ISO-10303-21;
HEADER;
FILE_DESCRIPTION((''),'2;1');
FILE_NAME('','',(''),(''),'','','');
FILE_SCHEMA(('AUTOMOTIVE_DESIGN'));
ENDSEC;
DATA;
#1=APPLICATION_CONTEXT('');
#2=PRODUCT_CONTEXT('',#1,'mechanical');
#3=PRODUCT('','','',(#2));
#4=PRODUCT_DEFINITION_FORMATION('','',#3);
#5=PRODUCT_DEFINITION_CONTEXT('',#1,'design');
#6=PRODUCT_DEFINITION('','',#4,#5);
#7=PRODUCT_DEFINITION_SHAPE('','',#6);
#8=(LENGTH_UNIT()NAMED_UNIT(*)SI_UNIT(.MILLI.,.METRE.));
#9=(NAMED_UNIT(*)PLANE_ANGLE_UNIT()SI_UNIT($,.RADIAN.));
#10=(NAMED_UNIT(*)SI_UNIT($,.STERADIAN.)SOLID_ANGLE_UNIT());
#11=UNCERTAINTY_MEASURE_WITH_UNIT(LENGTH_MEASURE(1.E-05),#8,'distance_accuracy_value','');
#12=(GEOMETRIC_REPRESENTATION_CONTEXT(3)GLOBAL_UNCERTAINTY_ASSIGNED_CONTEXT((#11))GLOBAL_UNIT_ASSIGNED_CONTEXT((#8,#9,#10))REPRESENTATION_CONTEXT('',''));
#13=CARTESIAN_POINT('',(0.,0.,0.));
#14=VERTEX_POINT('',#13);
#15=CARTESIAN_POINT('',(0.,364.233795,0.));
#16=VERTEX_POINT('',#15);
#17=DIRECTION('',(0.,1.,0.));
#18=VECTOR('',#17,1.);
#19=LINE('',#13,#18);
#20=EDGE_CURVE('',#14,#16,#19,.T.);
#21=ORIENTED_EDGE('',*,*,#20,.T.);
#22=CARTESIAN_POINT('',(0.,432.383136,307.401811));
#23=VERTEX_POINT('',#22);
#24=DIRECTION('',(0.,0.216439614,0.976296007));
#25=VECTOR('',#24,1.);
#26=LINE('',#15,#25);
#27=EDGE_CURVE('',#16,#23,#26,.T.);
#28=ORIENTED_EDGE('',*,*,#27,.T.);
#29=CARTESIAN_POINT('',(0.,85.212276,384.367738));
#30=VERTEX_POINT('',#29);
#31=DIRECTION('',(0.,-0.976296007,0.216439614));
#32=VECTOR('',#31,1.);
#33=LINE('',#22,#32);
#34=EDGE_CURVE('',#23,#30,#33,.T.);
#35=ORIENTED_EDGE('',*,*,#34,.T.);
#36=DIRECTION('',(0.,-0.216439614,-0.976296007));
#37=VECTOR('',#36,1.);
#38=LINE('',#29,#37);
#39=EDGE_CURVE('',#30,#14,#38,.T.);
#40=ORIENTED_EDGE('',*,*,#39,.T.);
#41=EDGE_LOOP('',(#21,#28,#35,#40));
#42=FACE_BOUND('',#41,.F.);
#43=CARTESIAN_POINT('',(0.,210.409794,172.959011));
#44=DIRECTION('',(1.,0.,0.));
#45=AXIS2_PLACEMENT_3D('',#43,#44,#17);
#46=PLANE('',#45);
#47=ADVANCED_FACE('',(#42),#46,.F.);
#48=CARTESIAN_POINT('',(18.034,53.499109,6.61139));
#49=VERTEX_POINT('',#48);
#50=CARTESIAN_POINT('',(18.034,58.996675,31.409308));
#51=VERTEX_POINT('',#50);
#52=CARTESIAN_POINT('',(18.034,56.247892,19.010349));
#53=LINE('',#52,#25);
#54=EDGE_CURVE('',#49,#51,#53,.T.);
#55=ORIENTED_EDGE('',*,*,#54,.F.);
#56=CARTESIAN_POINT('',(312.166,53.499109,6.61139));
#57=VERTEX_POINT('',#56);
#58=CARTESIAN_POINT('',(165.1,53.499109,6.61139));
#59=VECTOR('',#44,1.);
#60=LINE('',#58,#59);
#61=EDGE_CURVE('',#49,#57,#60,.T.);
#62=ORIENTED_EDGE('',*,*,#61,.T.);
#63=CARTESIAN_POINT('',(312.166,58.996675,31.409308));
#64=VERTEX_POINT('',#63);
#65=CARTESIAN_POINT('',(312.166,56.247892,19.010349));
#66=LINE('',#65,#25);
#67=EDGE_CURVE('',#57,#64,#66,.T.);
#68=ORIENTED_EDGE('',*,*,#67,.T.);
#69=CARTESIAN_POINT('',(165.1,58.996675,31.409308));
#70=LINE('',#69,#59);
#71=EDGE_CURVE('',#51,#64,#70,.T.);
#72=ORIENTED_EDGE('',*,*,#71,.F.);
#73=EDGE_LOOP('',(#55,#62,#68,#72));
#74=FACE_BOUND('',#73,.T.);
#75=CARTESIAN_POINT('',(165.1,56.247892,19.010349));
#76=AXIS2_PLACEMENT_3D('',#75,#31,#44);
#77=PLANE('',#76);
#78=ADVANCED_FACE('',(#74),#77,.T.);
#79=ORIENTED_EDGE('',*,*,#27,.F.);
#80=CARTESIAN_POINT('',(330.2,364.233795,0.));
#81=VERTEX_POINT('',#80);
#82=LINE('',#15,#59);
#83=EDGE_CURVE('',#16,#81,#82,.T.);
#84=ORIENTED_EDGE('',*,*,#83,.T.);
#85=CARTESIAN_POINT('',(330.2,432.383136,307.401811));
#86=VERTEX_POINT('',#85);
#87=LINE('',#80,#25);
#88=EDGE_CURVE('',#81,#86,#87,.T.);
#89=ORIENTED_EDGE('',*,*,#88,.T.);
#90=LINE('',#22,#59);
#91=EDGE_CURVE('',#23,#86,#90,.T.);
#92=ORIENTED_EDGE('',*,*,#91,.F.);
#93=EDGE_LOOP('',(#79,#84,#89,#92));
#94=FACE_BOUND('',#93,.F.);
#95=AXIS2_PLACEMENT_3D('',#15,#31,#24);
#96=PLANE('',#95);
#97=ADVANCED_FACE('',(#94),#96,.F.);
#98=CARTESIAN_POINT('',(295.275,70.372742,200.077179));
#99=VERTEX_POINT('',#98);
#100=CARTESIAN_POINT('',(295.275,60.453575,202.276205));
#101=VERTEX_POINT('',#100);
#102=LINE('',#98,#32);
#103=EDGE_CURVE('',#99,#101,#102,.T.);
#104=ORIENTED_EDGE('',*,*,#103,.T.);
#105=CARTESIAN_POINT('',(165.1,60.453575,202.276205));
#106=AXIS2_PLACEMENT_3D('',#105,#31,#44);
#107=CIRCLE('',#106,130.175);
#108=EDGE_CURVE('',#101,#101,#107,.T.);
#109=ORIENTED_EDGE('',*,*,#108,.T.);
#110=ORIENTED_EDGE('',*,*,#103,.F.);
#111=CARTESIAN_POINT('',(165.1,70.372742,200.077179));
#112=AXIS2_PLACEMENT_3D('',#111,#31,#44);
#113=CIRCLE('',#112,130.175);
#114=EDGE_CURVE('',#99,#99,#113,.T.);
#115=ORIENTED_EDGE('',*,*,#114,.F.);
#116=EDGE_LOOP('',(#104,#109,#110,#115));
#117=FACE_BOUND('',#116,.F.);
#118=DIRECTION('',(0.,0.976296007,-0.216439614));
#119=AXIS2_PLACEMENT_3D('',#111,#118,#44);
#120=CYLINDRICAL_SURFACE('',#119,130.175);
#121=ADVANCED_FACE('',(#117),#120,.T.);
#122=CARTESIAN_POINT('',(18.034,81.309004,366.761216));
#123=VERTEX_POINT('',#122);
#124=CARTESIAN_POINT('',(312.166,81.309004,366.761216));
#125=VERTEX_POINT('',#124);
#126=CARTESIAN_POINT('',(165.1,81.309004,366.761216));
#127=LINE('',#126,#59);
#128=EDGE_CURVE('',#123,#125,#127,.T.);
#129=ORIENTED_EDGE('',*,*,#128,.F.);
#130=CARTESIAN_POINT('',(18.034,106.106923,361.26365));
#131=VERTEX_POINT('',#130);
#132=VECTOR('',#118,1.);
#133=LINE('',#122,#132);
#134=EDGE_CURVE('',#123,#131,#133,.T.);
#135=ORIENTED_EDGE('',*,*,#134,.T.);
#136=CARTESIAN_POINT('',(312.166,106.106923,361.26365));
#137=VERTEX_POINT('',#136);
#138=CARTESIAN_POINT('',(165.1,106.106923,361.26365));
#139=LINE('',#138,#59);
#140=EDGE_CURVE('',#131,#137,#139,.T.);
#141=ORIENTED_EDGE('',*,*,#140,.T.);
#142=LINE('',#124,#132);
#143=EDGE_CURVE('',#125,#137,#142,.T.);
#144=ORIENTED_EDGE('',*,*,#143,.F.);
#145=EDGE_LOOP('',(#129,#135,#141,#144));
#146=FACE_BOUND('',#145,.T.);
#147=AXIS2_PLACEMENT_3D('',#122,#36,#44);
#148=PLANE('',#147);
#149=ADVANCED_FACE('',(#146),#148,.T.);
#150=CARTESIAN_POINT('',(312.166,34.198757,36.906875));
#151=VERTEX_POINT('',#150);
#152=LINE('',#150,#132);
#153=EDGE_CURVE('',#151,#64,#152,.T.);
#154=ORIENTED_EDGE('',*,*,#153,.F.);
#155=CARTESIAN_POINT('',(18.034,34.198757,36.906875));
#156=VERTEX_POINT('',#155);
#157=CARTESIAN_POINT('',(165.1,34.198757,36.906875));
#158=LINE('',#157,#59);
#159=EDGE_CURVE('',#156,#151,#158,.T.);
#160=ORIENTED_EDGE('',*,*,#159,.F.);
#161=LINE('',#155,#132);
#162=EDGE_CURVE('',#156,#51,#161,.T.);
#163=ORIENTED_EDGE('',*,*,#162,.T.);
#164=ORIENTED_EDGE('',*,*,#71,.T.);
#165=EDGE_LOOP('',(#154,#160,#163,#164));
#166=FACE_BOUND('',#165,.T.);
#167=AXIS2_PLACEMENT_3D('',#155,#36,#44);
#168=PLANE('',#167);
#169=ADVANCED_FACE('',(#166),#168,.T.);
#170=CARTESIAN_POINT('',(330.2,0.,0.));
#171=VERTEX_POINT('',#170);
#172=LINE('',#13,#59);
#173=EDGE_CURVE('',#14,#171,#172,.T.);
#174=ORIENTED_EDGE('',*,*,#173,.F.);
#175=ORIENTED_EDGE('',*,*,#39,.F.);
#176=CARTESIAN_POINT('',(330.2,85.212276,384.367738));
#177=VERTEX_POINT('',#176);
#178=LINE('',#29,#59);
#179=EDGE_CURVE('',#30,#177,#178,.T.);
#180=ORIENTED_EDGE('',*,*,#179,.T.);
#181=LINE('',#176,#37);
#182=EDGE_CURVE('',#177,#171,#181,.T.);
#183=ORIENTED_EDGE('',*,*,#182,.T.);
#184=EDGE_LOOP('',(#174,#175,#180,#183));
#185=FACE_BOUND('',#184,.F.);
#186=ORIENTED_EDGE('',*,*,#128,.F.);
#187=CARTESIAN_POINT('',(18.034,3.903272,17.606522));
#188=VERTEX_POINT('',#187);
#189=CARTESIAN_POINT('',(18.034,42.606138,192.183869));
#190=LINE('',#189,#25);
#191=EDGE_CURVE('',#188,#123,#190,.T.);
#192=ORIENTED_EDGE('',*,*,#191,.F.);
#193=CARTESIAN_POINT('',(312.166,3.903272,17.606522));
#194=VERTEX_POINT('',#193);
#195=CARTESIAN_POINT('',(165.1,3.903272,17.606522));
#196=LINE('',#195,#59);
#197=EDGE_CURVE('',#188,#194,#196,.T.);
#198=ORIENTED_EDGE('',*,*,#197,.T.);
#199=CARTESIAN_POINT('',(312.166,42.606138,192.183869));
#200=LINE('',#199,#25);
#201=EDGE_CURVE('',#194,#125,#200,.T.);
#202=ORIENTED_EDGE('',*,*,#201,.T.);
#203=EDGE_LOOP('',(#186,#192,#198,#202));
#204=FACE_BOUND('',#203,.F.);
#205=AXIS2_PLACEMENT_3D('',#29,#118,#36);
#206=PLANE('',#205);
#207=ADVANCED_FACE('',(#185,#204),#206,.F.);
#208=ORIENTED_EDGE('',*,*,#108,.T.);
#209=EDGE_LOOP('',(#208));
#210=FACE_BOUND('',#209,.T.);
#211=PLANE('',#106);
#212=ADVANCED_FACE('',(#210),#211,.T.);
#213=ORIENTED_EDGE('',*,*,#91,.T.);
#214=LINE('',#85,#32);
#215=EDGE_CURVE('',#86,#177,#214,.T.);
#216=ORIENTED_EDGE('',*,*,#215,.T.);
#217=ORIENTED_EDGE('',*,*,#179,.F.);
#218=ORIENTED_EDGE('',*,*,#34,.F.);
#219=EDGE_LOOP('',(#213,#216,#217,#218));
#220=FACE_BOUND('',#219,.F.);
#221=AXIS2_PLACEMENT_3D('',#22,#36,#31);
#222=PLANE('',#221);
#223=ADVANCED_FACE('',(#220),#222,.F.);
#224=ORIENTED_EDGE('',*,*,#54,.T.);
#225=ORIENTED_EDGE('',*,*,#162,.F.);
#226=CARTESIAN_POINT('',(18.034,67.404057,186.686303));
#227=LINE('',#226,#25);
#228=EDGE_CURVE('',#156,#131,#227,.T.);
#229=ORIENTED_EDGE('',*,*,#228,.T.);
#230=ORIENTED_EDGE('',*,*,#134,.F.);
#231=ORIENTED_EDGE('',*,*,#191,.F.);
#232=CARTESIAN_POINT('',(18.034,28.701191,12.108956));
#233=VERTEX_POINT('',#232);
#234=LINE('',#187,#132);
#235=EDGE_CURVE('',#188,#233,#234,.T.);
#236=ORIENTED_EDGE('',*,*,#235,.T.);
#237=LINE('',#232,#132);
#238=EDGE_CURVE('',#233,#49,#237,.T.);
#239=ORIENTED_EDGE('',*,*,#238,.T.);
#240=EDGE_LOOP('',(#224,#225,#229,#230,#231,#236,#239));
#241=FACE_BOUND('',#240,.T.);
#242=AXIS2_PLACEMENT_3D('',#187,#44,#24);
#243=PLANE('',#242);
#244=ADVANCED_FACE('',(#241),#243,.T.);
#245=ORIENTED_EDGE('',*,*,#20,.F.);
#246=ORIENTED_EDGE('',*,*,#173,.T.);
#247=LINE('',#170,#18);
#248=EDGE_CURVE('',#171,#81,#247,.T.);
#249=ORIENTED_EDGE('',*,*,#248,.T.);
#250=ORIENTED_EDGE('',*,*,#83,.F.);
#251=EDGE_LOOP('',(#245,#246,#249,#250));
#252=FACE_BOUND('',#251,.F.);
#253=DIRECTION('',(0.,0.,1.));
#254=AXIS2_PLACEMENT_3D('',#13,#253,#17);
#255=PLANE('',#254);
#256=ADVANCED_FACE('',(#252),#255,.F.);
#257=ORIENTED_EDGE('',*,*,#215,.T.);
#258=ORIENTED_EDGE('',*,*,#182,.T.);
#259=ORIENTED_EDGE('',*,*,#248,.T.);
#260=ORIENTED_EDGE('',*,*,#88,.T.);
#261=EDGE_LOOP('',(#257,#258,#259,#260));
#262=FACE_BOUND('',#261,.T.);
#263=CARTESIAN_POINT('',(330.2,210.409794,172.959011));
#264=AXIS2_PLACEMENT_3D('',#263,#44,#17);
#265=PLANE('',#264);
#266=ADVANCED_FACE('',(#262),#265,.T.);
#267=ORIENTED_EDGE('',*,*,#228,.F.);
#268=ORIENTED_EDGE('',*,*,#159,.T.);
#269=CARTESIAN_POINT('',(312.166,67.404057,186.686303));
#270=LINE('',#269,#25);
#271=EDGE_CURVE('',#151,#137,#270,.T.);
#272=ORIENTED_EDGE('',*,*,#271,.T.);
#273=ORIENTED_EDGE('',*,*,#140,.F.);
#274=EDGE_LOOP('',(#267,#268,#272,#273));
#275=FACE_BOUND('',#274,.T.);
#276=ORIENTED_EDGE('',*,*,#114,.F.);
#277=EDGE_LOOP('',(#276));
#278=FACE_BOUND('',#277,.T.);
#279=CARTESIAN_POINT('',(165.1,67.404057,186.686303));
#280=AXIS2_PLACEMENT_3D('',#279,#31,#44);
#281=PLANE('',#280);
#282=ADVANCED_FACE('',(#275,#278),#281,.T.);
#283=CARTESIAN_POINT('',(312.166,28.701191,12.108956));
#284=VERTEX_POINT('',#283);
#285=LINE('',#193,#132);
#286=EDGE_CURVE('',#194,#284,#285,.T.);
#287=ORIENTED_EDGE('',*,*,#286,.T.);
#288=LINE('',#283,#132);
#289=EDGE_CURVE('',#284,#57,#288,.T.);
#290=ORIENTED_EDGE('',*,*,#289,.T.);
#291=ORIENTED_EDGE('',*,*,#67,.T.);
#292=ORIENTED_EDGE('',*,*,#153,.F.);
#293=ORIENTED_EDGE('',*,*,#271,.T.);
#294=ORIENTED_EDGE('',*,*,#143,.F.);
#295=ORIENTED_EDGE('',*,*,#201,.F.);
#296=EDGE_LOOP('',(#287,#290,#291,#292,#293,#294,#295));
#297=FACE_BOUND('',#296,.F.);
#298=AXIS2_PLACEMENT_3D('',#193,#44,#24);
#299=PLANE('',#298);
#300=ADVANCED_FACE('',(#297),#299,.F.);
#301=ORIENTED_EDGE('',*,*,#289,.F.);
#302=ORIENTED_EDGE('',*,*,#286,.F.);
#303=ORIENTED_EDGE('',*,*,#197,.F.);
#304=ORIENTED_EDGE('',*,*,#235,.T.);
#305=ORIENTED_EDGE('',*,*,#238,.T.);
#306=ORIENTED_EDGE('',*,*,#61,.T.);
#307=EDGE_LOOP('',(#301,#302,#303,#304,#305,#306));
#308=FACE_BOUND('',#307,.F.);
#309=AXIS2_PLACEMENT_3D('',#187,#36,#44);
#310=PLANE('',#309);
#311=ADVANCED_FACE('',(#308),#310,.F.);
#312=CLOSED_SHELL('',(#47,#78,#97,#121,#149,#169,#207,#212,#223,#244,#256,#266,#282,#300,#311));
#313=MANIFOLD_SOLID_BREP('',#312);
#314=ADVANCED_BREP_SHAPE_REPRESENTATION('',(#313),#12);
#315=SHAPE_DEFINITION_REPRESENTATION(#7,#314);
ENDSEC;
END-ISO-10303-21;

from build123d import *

# Parameters (mm, degrees)
F1_DEPTH = 330.2
F2_W     = 294.132
F2_H     = 357.632
F3_DEPTH = 25.4
F4_R     = 130.175
F5_DEPTH = 10.16
F6_W     = 294.132
F6_H     = 25.4
F7_DEPTH = 25.4


with BuildPart() as f1:
    # F0 (on Right) → F1 (new body)
    with BuildSketch(Plane.YZ):
        Polygon((85.2122760074, 384.3677380031), (0, 0), (364.2337952902, 0), (432.3831361393, 307.4018112867), align=None)
    extrude(amount=F1_DEPTH)

    # F2 (on face) → F3 (cut)
    with BuildSketch(Plane(origin=(0, 0, 0), x_dir=(1, 0, 0), z_dir=(0, -0.9762960071, 0.2164396139))):
        with Locations((165.1, 196.85)):
            Rectangle(F2_W, F2_H)
    extrude(amount=-F3_DEPTH, mode=Mode.SUBTRACT)

    # F4 (on face) → F5 (join)
    with BuildSketch(Plane(origin=(0, 24.7979185808, -5.497566194), x_dir=(1, 0, 0), z_dir=(0, -0.9762960071, 0.2164396139))):
        with Locations((165.1, 210.566)):
            Circle(F4_R)
    extrude(amount=F5_DEPTH)

    # F6 (on face) → F7 (cut)
    with BuildSketch(Plane(origin=(0, 24.7979185808, -5.497566194), x_dir=(1, 0, 0), z_dir=(0, -0.9762960071, 0.2164396139))):
        with Locations((165.1, 30.734)):
            Rectangle(F6_W, F6_H)
    extrude(amount=-F7_DEPTH, mode=Mode.SUBTRACT)


solid = f1.part
